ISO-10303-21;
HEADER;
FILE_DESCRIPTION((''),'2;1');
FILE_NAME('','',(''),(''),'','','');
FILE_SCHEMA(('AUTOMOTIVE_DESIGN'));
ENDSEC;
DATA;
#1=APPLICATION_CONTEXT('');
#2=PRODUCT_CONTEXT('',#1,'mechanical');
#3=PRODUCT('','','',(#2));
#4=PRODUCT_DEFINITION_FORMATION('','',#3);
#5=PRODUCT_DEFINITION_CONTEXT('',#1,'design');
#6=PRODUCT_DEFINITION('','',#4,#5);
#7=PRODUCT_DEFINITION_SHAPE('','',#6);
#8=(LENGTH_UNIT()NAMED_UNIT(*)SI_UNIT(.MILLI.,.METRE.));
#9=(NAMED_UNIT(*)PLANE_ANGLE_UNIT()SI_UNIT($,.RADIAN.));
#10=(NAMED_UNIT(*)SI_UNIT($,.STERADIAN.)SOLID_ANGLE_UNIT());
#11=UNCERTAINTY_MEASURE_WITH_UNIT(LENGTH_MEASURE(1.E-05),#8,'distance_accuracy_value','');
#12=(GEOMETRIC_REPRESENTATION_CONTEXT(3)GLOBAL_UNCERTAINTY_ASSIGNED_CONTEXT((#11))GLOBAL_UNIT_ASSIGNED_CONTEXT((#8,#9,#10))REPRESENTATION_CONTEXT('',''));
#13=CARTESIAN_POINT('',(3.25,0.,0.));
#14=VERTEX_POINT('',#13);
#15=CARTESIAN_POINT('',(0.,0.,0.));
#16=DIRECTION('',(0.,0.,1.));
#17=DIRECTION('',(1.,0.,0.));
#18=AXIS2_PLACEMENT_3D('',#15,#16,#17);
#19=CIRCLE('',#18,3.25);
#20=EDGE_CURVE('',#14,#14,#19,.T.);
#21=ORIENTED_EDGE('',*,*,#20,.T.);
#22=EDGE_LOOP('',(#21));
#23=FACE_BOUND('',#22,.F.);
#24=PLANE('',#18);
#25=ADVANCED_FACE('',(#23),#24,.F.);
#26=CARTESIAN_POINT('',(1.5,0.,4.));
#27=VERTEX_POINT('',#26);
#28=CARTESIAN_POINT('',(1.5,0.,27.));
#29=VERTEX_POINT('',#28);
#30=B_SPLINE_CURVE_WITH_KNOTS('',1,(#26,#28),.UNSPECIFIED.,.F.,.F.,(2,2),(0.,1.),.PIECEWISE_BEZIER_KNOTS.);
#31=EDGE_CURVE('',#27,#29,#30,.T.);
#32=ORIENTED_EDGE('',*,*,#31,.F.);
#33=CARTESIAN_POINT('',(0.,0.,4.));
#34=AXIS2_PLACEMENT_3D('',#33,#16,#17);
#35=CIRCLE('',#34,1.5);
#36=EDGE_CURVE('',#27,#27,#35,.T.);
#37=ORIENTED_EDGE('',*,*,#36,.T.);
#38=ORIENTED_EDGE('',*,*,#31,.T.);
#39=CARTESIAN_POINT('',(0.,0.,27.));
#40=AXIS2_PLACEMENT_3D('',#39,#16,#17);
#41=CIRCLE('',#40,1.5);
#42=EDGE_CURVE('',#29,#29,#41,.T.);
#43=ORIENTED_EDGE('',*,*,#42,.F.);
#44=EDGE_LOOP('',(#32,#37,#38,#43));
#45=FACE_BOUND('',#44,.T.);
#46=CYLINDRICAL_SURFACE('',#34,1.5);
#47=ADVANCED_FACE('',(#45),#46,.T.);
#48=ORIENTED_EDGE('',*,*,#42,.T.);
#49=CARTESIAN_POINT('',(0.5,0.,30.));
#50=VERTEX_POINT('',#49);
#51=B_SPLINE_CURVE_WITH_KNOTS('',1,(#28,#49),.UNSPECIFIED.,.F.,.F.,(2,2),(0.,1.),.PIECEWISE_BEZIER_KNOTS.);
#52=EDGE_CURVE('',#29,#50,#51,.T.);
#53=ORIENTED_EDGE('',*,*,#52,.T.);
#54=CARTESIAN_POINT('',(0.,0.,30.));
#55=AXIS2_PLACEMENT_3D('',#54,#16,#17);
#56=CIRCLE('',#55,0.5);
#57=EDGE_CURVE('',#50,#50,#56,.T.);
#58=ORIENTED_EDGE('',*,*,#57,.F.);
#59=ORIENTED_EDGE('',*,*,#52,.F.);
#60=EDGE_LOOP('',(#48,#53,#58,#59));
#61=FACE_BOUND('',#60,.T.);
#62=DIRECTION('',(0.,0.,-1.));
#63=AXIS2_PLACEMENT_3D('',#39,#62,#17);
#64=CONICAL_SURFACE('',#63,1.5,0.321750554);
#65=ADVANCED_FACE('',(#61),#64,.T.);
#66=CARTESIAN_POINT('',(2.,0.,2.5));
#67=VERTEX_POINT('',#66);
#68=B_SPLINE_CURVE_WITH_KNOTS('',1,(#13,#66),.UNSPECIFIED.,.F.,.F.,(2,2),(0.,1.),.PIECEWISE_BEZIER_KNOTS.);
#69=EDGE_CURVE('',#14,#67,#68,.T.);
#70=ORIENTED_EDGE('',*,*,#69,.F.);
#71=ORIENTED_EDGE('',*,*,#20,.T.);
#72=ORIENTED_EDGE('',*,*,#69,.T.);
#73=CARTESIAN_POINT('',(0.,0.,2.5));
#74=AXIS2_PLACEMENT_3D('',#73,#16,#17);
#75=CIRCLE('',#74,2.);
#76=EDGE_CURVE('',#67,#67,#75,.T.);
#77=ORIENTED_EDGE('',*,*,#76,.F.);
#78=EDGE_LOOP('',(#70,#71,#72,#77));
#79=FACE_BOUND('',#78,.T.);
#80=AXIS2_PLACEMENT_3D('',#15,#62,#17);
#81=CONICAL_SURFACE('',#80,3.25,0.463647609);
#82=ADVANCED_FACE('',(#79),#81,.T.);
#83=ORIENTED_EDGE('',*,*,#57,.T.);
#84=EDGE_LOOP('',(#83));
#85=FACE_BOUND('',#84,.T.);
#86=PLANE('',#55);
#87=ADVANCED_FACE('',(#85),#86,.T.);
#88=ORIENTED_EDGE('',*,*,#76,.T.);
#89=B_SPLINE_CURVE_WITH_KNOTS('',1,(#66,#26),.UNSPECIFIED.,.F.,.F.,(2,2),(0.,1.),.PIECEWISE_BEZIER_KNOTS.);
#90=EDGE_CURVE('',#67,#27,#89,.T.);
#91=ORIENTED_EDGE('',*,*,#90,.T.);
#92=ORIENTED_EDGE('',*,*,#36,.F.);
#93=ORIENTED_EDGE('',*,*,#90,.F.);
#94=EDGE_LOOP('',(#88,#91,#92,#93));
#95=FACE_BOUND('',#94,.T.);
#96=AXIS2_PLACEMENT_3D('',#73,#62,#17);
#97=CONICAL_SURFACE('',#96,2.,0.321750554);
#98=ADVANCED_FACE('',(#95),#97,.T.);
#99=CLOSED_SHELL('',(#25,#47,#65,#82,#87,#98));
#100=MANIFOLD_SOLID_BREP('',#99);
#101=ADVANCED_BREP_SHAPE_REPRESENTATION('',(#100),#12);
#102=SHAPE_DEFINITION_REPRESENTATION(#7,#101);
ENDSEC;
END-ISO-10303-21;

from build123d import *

# Parameters (mm, degrees)
SKETCH001_R = 2
SKETCH002_R = 1.5
SKETCH003_R = 1.5
SKETCH004_R = 0.5
SKETCH_R    = 3.25


with BuildPart() as loft001:
    # Sketch001 → Loft001 section 0
    with BuildSketch(Plane.XY.offset(2.5)):
        Circle(SKETCH001_R)
    # Sketch002 → Loft001 section 1
    with BuildSketch(Plane.XY.offset(4)):
        Circle(SKETCH002_R)
    loft()


with BuildPart() as loft002:
    # Sketch002 → Loft002 section 0
    with BuildSketch(Plane.XY.offset(4)):
        Circle(SKETCH002_R)
    # Sketch003 → Loft002 section 1
    with BuildSketch(Plane.XY.offset(27)):
        Circle(SKETCH003_R)
    loft()


with BuildPart() as loft003:
    # Sketch003 → Loft003 section 0
    with BuildSketch(Plane.XY.offset(27)):
        Circle(SKETCH003_R)
    # Sketch004 → Loft003 section 1
    with BuildSketch(Plane.XY.offset(30)):
        Circle(SKETCH004_R)
    loft()


with BuildPart() as fusion:
    # Sketch → Loft section 0
    with BuildSketch(Plane.XY):
        Circle(SKETCH_R)
    # Sketch001 → Loft section 1
    with BuildSketch(Plane.XY.offset(2.5)):
        Circle(SKETCH001_R)
    loft()

    # Fusion: union Loft001, Loft002, Loft003
    add(loft001.part)
    add(loft002.part)
    add(loft003.part)


solid = fusion.part
